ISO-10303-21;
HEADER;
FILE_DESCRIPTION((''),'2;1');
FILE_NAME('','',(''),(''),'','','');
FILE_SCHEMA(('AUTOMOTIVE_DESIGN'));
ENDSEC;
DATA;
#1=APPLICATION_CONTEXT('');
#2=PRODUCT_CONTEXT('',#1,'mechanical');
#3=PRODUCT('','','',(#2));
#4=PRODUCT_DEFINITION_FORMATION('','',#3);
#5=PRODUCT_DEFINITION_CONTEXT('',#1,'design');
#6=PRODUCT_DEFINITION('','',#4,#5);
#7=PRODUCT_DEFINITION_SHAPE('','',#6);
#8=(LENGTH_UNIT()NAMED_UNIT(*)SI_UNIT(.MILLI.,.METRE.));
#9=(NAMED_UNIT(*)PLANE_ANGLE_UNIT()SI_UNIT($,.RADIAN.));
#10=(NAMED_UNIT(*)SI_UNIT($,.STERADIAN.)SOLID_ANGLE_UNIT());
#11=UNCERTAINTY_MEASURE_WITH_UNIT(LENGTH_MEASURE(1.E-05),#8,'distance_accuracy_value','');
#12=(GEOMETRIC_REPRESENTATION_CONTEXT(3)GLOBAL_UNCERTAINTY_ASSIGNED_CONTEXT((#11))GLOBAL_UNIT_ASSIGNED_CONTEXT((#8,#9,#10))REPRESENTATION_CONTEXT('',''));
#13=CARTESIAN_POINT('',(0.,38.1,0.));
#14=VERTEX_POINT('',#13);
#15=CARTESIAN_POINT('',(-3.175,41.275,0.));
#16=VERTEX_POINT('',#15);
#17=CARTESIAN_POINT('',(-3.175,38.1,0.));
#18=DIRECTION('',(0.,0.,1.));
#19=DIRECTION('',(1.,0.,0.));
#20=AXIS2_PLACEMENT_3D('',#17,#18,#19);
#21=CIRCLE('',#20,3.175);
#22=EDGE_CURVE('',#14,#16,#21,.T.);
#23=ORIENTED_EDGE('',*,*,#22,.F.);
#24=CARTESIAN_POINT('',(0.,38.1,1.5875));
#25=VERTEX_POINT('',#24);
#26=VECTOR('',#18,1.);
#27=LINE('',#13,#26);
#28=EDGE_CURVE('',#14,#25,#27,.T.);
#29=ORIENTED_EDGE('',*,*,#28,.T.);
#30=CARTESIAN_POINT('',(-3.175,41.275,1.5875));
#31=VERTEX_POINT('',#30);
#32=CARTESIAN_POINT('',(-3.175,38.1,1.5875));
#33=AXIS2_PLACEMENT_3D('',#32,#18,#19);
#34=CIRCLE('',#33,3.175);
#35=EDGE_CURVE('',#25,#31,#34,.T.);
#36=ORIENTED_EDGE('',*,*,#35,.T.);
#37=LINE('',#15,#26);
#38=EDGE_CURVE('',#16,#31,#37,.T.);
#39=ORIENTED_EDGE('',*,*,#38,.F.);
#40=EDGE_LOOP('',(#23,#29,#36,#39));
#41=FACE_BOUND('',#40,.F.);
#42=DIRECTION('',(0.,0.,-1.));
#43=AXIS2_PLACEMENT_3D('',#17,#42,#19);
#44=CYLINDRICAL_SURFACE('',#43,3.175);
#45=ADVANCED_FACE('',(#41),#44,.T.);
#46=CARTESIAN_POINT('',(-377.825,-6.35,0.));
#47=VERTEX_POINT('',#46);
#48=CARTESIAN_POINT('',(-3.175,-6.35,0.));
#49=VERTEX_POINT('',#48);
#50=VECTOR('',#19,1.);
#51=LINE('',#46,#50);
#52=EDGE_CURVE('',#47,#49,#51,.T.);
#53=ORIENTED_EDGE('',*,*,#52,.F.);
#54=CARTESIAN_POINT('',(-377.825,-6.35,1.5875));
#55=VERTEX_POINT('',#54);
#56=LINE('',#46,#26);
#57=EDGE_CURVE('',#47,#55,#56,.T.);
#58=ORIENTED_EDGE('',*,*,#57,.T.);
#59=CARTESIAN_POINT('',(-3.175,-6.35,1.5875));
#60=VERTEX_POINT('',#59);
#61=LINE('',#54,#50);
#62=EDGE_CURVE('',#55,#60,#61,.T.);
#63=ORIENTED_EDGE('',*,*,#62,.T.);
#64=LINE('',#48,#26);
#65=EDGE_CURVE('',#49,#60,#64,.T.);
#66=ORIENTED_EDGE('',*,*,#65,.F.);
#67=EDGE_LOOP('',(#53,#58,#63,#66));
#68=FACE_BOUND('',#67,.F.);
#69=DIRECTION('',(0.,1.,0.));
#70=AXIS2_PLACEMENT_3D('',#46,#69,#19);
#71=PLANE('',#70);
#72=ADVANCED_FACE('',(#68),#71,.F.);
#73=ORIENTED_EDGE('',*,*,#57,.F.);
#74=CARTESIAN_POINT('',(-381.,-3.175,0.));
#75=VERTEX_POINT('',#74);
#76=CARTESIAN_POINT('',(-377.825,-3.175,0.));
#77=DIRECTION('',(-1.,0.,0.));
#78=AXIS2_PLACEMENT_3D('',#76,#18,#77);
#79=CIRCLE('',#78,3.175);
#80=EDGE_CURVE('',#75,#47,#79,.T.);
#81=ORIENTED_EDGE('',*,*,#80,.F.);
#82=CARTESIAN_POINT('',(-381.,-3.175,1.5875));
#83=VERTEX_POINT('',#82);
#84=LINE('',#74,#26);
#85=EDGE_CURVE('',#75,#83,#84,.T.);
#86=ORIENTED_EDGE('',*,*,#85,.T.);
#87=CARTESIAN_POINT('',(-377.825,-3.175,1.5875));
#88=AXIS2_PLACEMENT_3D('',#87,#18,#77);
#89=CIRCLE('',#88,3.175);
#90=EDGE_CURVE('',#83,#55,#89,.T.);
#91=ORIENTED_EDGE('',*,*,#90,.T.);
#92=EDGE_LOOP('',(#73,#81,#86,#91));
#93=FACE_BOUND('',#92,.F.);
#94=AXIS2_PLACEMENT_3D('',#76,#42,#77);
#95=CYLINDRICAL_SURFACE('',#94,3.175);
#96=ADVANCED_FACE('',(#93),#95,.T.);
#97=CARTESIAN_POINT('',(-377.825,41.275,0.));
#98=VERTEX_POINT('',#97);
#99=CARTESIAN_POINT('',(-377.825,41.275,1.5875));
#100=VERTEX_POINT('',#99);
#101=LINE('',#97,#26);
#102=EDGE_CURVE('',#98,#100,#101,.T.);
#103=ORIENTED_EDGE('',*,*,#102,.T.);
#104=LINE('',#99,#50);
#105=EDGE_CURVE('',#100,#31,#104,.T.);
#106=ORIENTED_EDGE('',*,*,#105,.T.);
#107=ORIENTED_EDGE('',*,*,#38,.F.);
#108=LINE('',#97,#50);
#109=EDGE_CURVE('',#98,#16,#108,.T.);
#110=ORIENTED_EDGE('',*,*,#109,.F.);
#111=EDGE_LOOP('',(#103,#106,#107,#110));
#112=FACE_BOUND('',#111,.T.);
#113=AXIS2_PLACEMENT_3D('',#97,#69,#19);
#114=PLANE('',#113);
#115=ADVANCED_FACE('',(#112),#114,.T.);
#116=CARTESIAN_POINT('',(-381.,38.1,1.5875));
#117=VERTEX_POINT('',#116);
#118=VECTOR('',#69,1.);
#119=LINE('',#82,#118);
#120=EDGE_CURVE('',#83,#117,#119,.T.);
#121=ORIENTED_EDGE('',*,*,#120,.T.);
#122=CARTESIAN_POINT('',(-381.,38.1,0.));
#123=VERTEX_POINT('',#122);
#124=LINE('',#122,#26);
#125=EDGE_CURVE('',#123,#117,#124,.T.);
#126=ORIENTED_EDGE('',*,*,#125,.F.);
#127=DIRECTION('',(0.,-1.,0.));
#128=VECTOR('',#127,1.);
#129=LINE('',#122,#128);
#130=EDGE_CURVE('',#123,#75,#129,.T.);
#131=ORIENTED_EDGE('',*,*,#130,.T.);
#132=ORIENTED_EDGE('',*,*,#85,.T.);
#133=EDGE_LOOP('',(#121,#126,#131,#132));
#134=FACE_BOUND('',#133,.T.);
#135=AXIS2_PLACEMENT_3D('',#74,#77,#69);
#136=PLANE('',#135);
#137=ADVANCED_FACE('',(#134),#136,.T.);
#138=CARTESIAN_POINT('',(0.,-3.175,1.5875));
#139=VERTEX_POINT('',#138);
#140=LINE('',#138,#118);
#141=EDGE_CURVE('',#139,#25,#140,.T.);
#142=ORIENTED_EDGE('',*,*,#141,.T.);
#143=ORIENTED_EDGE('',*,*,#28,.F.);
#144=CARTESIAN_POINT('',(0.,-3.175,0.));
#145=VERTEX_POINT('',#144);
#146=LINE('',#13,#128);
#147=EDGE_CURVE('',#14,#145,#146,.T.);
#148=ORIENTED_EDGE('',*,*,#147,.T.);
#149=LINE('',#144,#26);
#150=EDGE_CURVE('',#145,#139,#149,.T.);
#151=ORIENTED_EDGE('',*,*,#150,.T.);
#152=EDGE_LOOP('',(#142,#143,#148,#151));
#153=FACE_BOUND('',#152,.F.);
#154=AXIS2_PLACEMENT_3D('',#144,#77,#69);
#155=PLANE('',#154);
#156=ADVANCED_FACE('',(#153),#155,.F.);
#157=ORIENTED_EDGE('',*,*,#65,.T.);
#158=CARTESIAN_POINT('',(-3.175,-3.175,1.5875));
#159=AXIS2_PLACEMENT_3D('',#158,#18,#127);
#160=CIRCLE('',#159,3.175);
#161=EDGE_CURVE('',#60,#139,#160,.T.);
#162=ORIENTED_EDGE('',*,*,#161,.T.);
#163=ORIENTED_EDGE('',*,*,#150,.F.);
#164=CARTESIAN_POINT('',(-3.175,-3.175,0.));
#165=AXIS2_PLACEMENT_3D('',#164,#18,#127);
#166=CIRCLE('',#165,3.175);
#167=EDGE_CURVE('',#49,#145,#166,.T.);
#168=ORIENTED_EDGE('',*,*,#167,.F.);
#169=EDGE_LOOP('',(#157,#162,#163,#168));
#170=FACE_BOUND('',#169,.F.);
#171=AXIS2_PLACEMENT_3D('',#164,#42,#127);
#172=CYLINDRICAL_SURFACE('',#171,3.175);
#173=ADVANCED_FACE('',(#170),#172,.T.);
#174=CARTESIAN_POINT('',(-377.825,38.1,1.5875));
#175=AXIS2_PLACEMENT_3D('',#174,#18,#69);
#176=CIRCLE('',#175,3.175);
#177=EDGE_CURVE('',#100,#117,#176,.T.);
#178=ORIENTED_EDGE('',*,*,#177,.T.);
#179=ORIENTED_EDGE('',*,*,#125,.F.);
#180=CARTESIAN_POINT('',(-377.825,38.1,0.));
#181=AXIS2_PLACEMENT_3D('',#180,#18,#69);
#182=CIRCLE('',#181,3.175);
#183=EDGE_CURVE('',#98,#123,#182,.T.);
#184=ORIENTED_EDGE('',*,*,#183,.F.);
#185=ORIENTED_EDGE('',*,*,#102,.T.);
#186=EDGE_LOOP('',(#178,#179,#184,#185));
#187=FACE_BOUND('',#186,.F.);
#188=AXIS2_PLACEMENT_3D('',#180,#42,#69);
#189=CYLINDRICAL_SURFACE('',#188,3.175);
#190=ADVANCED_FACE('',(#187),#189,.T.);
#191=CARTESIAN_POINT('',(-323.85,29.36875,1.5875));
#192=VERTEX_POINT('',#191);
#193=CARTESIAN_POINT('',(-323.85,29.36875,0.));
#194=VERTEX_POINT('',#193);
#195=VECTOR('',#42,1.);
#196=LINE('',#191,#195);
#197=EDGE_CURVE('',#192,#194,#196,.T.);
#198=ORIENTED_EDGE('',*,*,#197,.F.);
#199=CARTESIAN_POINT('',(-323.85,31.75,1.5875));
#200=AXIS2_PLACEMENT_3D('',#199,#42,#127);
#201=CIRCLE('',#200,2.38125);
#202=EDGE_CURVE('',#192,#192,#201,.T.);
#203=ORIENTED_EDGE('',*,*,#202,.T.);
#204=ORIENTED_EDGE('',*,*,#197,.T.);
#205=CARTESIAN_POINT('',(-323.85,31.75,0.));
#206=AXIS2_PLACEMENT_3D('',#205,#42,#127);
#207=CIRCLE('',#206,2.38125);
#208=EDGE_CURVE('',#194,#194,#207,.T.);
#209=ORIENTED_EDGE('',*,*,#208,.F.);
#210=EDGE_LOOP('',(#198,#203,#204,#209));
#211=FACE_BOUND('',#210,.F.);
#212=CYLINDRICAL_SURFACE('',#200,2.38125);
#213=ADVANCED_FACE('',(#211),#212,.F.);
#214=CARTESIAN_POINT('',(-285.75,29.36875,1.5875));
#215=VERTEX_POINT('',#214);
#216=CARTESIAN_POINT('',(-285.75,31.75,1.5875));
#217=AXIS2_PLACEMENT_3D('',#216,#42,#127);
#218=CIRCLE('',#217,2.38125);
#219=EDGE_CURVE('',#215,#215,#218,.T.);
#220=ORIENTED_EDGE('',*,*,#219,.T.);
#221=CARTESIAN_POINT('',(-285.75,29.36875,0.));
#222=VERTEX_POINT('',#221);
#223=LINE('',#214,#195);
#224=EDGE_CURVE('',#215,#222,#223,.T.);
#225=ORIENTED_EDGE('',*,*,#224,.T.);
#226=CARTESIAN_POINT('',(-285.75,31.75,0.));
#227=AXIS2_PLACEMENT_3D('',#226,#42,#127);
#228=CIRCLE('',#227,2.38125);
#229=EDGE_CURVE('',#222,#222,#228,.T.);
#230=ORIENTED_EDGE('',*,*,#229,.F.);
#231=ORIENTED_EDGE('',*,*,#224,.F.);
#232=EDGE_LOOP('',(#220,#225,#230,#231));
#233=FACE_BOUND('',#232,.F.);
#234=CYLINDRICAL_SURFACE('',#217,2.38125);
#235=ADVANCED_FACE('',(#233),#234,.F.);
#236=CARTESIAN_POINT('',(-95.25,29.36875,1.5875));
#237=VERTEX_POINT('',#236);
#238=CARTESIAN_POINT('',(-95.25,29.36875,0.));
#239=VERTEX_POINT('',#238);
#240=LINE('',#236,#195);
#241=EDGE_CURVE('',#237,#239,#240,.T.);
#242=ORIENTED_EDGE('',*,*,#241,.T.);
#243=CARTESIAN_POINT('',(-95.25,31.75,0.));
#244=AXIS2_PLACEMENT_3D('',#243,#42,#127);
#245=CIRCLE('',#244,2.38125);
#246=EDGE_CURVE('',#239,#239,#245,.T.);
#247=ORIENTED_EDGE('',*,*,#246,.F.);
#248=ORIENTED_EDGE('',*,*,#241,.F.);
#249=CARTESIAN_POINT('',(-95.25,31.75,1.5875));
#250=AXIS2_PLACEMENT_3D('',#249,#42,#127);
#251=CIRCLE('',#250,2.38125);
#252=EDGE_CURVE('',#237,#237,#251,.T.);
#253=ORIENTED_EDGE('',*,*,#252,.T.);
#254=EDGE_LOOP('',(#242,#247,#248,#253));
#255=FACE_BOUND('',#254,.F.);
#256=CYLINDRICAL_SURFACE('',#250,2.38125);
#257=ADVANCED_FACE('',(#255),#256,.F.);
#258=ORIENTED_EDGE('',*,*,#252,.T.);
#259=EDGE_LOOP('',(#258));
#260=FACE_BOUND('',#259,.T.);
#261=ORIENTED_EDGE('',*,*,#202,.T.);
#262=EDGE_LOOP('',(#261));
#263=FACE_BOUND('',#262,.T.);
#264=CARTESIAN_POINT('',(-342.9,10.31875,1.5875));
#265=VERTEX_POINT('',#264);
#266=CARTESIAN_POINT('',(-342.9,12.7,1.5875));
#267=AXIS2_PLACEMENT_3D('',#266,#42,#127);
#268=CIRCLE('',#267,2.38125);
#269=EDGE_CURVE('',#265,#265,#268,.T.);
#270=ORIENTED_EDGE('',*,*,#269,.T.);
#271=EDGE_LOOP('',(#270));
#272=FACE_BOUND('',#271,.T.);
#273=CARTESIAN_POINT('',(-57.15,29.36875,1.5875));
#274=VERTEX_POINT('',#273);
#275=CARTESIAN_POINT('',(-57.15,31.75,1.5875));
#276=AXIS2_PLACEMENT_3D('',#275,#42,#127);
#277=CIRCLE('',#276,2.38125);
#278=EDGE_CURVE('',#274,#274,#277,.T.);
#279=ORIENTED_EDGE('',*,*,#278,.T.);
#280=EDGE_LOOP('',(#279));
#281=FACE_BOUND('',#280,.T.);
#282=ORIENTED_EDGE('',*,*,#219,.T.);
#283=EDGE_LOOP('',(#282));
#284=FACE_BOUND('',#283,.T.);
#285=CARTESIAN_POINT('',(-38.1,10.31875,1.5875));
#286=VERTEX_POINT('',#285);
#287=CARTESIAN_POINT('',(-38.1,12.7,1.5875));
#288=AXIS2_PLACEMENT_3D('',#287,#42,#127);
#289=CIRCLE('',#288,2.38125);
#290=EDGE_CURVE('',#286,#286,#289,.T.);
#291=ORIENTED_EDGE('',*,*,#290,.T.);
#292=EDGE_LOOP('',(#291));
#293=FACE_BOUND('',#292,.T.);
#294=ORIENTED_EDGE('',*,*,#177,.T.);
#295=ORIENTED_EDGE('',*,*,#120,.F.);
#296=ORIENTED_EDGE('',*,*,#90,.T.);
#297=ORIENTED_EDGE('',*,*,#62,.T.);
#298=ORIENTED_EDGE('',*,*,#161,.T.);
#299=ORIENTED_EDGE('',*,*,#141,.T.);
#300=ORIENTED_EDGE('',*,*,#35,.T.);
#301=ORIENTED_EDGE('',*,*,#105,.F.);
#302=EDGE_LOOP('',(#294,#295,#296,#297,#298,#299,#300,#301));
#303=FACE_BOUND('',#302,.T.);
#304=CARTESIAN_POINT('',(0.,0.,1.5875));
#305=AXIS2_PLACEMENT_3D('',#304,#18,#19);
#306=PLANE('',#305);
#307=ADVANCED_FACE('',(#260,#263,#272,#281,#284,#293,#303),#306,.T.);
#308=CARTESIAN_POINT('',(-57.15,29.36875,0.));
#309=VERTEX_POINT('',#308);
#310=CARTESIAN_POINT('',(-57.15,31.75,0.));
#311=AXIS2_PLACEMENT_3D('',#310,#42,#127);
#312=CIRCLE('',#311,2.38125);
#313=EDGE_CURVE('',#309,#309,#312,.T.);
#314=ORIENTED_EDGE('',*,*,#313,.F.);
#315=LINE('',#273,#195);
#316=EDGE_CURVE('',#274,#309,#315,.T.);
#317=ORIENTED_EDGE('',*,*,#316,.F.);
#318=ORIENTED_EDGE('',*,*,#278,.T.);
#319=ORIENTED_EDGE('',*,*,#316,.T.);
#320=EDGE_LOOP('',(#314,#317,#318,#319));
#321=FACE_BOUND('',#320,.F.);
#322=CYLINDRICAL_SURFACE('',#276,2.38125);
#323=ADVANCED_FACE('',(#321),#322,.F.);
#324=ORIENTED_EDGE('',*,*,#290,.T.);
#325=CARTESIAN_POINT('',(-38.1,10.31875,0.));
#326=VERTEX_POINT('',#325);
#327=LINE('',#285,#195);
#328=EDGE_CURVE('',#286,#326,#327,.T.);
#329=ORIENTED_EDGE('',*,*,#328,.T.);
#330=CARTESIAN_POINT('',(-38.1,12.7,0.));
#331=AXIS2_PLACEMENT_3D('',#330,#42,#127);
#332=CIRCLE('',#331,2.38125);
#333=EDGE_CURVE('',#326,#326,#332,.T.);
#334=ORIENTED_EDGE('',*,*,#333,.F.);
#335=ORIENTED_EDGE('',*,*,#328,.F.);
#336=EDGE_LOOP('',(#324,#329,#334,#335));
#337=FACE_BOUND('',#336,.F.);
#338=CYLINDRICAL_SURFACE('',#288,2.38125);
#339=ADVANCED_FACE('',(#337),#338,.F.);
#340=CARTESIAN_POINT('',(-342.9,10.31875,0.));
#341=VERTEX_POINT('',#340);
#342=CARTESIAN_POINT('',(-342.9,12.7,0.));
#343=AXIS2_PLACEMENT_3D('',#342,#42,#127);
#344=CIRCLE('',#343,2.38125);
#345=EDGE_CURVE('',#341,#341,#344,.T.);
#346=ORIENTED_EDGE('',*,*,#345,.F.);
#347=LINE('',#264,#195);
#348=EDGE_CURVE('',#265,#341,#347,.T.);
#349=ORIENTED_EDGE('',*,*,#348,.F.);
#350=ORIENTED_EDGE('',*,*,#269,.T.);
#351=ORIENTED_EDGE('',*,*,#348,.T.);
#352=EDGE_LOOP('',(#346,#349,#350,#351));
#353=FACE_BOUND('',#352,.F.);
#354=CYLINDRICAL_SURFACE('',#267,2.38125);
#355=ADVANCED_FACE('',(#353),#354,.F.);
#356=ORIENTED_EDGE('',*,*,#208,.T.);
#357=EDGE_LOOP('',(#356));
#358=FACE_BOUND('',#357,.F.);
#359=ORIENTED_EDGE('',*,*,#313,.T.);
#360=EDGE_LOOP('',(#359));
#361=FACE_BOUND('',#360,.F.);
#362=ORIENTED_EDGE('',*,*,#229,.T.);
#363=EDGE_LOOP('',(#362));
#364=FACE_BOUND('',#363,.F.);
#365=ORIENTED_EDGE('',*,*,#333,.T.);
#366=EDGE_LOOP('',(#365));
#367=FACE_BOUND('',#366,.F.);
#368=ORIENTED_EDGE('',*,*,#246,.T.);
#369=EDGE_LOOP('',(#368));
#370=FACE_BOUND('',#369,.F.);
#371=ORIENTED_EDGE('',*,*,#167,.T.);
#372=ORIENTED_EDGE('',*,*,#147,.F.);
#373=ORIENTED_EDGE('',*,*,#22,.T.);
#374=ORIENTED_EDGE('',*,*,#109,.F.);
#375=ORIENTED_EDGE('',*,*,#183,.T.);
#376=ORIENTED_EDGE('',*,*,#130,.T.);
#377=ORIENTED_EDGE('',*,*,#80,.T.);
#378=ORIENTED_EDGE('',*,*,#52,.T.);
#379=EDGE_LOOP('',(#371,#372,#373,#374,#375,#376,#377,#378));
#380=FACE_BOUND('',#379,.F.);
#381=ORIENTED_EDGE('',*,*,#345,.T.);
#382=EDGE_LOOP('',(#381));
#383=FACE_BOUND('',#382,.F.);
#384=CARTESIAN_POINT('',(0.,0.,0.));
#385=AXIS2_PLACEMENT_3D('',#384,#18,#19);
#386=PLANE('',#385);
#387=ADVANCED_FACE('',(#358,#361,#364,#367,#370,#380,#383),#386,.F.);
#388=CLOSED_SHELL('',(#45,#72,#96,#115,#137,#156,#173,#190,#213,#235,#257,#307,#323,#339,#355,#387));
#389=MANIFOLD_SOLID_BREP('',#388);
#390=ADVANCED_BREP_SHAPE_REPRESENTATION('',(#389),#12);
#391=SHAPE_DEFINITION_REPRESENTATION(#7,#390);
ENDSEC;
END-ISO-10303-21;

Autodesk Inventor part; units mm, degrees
ref_plane "YZ Plane" through (0, 0, 0) normal (1, 0, 0) x (0, 1, 0)
ref_plane "XZ Plane" through (0, 0, 0) normal (0, 1, 0) x (-1, 0, 0)
ref_plane "XY Plane" through (0, 0, 0) normal (0, 0, 1) x (1, 0, 0)
sketch "Sketch1" plane through (0, 0, 0) normal (0, 0, 1) x (1, 0, 0)
  line L0 (-381, -3.175) -> (-381, 38.1)
  line L1 (-377.825, 50.8) -> (-3.175, 50.8)
  line L2 (0, 38.1) -> (0, 0)
  line L3 (-381, 0) -> (-381, -6.35)
  line L4 (-377.825, -6.35) -> (-3.175, -6.35)
  line L5 (0, -3.175) -> (0, 0)
  arc A0 (-381, -3.175) -> (-377.825, -6.35) centre (-377.825, -3.175) ccw
  arc A1 (-377.825, 50.8) -> (-381, 47.625) centre (-377.825, 47.625) ccw
  arc A2 (0, 47.625) -> (-3.175, 50.8) centre (-3.175, 47.625) ccw
  arc A3 (-3.175, -6.35) -> (0, -3.175) centre (-3.175, -3.175) ccw
  line L6 (-381, 50.8) -> (-381, 41.275)
  line L7 (-377.825, 41.275) -> (-3.175, 41.275)
  arc A4 (-377.825, 41.275) -> (-381, 38.1) centre (-377.825, 38.1) ccw
  arc A5 (0, 38.1) -> (-3.175, 41.275) centre (-3.175, 38.1) ccw
  point P0 (0, 50.8)
  point P1 (0, -6.35)
  point P2 (0, 41.275)
  dimension "d1" = 50.8
  dimension "d7" = 6.35
  dimension "d19" = 3.175
  dimension "d20" = 3.175
  dimension "d25" = 9.525
  dimension "d26" = 3.175
extrude "Extrusion1" add sketch "Sketch1" along normal blind 1.5875
sketch "Sketch2" plane through (0, 0, 1.5875) normal (0, 0, 1) x (1, 0, 0)
  line L0 (-381, 50.8) -> (-323.85, 50.8)
  line L1 (-323.85, 50.8) -> (-273.05, 50.8)
  line L2 (-381, 0) -> (-342.9, 0)
  line L3 (-323.85, 50.8) -> (-323.85, 31.75)
  line L4 (-190.5, 50.8) -> (-190.5, -6.35)
  line L5 (0, 50.8) -> (-57.15, 50.8)
  line L6 (-57.15, 50.8) -> (-107.95, 50.8)
  line L7 (0, 0) -> (-38.1, 0)
  line L8 (-57.15, 50.8) -> (-57.15, 31.75)
  line L9 (-273.05, 50.8) -> (-285.75, 50.8)
  line L10 (-3.175, 50.8) -> (-377.825, 50.8) projected
  line L11 (-285.75, 50.8) -> (-285.75, 31.75)
  line L12 (-107.95, 50.8) -> (-95.25, 50.8)
  line L13 (-95.25, 50.8) -> (-95.25, 31.75)
  line L14 (-38.1, 0) -> (-38.1, 12.7)
  line L15 (-342.9, 0) -> (-342.9, 12.7)
  line L16 (0, 50.8) -> (0, 41.275)
  line L17 (0, -3.175) -> (0, 47.625) projected
  line L18 (-381, 38.1) -> (-381, -3.175) projected
  line L19 (-381, 41.275) -> (0, 41.275)
  point P0 (-381, 47.625)
  dimension "d4" = 57.15
  dimension "d5" = 50.8
  dimension "d11" = 38.1
  dimension "d21" = 12.7
  dimension "d22" = 12.7
  dimension "d23" = 12.7
  dimension "d24" = 9.525
hole "Hole1" at (-323.85, 31.75, 1.5875) at (-57.15, 31.75, 1.5875) at (-285.75, 31.75, 1.5875) at (-95.25, 31.75, 1.5875) at (-342.9, 12.7, 1.5875) at (-38.1, 12.7, 1.5875) direction (0, 0, -1) diameter 4.7625 end through all
properties part number "wedge" material "Polycarbonate, Clear"
